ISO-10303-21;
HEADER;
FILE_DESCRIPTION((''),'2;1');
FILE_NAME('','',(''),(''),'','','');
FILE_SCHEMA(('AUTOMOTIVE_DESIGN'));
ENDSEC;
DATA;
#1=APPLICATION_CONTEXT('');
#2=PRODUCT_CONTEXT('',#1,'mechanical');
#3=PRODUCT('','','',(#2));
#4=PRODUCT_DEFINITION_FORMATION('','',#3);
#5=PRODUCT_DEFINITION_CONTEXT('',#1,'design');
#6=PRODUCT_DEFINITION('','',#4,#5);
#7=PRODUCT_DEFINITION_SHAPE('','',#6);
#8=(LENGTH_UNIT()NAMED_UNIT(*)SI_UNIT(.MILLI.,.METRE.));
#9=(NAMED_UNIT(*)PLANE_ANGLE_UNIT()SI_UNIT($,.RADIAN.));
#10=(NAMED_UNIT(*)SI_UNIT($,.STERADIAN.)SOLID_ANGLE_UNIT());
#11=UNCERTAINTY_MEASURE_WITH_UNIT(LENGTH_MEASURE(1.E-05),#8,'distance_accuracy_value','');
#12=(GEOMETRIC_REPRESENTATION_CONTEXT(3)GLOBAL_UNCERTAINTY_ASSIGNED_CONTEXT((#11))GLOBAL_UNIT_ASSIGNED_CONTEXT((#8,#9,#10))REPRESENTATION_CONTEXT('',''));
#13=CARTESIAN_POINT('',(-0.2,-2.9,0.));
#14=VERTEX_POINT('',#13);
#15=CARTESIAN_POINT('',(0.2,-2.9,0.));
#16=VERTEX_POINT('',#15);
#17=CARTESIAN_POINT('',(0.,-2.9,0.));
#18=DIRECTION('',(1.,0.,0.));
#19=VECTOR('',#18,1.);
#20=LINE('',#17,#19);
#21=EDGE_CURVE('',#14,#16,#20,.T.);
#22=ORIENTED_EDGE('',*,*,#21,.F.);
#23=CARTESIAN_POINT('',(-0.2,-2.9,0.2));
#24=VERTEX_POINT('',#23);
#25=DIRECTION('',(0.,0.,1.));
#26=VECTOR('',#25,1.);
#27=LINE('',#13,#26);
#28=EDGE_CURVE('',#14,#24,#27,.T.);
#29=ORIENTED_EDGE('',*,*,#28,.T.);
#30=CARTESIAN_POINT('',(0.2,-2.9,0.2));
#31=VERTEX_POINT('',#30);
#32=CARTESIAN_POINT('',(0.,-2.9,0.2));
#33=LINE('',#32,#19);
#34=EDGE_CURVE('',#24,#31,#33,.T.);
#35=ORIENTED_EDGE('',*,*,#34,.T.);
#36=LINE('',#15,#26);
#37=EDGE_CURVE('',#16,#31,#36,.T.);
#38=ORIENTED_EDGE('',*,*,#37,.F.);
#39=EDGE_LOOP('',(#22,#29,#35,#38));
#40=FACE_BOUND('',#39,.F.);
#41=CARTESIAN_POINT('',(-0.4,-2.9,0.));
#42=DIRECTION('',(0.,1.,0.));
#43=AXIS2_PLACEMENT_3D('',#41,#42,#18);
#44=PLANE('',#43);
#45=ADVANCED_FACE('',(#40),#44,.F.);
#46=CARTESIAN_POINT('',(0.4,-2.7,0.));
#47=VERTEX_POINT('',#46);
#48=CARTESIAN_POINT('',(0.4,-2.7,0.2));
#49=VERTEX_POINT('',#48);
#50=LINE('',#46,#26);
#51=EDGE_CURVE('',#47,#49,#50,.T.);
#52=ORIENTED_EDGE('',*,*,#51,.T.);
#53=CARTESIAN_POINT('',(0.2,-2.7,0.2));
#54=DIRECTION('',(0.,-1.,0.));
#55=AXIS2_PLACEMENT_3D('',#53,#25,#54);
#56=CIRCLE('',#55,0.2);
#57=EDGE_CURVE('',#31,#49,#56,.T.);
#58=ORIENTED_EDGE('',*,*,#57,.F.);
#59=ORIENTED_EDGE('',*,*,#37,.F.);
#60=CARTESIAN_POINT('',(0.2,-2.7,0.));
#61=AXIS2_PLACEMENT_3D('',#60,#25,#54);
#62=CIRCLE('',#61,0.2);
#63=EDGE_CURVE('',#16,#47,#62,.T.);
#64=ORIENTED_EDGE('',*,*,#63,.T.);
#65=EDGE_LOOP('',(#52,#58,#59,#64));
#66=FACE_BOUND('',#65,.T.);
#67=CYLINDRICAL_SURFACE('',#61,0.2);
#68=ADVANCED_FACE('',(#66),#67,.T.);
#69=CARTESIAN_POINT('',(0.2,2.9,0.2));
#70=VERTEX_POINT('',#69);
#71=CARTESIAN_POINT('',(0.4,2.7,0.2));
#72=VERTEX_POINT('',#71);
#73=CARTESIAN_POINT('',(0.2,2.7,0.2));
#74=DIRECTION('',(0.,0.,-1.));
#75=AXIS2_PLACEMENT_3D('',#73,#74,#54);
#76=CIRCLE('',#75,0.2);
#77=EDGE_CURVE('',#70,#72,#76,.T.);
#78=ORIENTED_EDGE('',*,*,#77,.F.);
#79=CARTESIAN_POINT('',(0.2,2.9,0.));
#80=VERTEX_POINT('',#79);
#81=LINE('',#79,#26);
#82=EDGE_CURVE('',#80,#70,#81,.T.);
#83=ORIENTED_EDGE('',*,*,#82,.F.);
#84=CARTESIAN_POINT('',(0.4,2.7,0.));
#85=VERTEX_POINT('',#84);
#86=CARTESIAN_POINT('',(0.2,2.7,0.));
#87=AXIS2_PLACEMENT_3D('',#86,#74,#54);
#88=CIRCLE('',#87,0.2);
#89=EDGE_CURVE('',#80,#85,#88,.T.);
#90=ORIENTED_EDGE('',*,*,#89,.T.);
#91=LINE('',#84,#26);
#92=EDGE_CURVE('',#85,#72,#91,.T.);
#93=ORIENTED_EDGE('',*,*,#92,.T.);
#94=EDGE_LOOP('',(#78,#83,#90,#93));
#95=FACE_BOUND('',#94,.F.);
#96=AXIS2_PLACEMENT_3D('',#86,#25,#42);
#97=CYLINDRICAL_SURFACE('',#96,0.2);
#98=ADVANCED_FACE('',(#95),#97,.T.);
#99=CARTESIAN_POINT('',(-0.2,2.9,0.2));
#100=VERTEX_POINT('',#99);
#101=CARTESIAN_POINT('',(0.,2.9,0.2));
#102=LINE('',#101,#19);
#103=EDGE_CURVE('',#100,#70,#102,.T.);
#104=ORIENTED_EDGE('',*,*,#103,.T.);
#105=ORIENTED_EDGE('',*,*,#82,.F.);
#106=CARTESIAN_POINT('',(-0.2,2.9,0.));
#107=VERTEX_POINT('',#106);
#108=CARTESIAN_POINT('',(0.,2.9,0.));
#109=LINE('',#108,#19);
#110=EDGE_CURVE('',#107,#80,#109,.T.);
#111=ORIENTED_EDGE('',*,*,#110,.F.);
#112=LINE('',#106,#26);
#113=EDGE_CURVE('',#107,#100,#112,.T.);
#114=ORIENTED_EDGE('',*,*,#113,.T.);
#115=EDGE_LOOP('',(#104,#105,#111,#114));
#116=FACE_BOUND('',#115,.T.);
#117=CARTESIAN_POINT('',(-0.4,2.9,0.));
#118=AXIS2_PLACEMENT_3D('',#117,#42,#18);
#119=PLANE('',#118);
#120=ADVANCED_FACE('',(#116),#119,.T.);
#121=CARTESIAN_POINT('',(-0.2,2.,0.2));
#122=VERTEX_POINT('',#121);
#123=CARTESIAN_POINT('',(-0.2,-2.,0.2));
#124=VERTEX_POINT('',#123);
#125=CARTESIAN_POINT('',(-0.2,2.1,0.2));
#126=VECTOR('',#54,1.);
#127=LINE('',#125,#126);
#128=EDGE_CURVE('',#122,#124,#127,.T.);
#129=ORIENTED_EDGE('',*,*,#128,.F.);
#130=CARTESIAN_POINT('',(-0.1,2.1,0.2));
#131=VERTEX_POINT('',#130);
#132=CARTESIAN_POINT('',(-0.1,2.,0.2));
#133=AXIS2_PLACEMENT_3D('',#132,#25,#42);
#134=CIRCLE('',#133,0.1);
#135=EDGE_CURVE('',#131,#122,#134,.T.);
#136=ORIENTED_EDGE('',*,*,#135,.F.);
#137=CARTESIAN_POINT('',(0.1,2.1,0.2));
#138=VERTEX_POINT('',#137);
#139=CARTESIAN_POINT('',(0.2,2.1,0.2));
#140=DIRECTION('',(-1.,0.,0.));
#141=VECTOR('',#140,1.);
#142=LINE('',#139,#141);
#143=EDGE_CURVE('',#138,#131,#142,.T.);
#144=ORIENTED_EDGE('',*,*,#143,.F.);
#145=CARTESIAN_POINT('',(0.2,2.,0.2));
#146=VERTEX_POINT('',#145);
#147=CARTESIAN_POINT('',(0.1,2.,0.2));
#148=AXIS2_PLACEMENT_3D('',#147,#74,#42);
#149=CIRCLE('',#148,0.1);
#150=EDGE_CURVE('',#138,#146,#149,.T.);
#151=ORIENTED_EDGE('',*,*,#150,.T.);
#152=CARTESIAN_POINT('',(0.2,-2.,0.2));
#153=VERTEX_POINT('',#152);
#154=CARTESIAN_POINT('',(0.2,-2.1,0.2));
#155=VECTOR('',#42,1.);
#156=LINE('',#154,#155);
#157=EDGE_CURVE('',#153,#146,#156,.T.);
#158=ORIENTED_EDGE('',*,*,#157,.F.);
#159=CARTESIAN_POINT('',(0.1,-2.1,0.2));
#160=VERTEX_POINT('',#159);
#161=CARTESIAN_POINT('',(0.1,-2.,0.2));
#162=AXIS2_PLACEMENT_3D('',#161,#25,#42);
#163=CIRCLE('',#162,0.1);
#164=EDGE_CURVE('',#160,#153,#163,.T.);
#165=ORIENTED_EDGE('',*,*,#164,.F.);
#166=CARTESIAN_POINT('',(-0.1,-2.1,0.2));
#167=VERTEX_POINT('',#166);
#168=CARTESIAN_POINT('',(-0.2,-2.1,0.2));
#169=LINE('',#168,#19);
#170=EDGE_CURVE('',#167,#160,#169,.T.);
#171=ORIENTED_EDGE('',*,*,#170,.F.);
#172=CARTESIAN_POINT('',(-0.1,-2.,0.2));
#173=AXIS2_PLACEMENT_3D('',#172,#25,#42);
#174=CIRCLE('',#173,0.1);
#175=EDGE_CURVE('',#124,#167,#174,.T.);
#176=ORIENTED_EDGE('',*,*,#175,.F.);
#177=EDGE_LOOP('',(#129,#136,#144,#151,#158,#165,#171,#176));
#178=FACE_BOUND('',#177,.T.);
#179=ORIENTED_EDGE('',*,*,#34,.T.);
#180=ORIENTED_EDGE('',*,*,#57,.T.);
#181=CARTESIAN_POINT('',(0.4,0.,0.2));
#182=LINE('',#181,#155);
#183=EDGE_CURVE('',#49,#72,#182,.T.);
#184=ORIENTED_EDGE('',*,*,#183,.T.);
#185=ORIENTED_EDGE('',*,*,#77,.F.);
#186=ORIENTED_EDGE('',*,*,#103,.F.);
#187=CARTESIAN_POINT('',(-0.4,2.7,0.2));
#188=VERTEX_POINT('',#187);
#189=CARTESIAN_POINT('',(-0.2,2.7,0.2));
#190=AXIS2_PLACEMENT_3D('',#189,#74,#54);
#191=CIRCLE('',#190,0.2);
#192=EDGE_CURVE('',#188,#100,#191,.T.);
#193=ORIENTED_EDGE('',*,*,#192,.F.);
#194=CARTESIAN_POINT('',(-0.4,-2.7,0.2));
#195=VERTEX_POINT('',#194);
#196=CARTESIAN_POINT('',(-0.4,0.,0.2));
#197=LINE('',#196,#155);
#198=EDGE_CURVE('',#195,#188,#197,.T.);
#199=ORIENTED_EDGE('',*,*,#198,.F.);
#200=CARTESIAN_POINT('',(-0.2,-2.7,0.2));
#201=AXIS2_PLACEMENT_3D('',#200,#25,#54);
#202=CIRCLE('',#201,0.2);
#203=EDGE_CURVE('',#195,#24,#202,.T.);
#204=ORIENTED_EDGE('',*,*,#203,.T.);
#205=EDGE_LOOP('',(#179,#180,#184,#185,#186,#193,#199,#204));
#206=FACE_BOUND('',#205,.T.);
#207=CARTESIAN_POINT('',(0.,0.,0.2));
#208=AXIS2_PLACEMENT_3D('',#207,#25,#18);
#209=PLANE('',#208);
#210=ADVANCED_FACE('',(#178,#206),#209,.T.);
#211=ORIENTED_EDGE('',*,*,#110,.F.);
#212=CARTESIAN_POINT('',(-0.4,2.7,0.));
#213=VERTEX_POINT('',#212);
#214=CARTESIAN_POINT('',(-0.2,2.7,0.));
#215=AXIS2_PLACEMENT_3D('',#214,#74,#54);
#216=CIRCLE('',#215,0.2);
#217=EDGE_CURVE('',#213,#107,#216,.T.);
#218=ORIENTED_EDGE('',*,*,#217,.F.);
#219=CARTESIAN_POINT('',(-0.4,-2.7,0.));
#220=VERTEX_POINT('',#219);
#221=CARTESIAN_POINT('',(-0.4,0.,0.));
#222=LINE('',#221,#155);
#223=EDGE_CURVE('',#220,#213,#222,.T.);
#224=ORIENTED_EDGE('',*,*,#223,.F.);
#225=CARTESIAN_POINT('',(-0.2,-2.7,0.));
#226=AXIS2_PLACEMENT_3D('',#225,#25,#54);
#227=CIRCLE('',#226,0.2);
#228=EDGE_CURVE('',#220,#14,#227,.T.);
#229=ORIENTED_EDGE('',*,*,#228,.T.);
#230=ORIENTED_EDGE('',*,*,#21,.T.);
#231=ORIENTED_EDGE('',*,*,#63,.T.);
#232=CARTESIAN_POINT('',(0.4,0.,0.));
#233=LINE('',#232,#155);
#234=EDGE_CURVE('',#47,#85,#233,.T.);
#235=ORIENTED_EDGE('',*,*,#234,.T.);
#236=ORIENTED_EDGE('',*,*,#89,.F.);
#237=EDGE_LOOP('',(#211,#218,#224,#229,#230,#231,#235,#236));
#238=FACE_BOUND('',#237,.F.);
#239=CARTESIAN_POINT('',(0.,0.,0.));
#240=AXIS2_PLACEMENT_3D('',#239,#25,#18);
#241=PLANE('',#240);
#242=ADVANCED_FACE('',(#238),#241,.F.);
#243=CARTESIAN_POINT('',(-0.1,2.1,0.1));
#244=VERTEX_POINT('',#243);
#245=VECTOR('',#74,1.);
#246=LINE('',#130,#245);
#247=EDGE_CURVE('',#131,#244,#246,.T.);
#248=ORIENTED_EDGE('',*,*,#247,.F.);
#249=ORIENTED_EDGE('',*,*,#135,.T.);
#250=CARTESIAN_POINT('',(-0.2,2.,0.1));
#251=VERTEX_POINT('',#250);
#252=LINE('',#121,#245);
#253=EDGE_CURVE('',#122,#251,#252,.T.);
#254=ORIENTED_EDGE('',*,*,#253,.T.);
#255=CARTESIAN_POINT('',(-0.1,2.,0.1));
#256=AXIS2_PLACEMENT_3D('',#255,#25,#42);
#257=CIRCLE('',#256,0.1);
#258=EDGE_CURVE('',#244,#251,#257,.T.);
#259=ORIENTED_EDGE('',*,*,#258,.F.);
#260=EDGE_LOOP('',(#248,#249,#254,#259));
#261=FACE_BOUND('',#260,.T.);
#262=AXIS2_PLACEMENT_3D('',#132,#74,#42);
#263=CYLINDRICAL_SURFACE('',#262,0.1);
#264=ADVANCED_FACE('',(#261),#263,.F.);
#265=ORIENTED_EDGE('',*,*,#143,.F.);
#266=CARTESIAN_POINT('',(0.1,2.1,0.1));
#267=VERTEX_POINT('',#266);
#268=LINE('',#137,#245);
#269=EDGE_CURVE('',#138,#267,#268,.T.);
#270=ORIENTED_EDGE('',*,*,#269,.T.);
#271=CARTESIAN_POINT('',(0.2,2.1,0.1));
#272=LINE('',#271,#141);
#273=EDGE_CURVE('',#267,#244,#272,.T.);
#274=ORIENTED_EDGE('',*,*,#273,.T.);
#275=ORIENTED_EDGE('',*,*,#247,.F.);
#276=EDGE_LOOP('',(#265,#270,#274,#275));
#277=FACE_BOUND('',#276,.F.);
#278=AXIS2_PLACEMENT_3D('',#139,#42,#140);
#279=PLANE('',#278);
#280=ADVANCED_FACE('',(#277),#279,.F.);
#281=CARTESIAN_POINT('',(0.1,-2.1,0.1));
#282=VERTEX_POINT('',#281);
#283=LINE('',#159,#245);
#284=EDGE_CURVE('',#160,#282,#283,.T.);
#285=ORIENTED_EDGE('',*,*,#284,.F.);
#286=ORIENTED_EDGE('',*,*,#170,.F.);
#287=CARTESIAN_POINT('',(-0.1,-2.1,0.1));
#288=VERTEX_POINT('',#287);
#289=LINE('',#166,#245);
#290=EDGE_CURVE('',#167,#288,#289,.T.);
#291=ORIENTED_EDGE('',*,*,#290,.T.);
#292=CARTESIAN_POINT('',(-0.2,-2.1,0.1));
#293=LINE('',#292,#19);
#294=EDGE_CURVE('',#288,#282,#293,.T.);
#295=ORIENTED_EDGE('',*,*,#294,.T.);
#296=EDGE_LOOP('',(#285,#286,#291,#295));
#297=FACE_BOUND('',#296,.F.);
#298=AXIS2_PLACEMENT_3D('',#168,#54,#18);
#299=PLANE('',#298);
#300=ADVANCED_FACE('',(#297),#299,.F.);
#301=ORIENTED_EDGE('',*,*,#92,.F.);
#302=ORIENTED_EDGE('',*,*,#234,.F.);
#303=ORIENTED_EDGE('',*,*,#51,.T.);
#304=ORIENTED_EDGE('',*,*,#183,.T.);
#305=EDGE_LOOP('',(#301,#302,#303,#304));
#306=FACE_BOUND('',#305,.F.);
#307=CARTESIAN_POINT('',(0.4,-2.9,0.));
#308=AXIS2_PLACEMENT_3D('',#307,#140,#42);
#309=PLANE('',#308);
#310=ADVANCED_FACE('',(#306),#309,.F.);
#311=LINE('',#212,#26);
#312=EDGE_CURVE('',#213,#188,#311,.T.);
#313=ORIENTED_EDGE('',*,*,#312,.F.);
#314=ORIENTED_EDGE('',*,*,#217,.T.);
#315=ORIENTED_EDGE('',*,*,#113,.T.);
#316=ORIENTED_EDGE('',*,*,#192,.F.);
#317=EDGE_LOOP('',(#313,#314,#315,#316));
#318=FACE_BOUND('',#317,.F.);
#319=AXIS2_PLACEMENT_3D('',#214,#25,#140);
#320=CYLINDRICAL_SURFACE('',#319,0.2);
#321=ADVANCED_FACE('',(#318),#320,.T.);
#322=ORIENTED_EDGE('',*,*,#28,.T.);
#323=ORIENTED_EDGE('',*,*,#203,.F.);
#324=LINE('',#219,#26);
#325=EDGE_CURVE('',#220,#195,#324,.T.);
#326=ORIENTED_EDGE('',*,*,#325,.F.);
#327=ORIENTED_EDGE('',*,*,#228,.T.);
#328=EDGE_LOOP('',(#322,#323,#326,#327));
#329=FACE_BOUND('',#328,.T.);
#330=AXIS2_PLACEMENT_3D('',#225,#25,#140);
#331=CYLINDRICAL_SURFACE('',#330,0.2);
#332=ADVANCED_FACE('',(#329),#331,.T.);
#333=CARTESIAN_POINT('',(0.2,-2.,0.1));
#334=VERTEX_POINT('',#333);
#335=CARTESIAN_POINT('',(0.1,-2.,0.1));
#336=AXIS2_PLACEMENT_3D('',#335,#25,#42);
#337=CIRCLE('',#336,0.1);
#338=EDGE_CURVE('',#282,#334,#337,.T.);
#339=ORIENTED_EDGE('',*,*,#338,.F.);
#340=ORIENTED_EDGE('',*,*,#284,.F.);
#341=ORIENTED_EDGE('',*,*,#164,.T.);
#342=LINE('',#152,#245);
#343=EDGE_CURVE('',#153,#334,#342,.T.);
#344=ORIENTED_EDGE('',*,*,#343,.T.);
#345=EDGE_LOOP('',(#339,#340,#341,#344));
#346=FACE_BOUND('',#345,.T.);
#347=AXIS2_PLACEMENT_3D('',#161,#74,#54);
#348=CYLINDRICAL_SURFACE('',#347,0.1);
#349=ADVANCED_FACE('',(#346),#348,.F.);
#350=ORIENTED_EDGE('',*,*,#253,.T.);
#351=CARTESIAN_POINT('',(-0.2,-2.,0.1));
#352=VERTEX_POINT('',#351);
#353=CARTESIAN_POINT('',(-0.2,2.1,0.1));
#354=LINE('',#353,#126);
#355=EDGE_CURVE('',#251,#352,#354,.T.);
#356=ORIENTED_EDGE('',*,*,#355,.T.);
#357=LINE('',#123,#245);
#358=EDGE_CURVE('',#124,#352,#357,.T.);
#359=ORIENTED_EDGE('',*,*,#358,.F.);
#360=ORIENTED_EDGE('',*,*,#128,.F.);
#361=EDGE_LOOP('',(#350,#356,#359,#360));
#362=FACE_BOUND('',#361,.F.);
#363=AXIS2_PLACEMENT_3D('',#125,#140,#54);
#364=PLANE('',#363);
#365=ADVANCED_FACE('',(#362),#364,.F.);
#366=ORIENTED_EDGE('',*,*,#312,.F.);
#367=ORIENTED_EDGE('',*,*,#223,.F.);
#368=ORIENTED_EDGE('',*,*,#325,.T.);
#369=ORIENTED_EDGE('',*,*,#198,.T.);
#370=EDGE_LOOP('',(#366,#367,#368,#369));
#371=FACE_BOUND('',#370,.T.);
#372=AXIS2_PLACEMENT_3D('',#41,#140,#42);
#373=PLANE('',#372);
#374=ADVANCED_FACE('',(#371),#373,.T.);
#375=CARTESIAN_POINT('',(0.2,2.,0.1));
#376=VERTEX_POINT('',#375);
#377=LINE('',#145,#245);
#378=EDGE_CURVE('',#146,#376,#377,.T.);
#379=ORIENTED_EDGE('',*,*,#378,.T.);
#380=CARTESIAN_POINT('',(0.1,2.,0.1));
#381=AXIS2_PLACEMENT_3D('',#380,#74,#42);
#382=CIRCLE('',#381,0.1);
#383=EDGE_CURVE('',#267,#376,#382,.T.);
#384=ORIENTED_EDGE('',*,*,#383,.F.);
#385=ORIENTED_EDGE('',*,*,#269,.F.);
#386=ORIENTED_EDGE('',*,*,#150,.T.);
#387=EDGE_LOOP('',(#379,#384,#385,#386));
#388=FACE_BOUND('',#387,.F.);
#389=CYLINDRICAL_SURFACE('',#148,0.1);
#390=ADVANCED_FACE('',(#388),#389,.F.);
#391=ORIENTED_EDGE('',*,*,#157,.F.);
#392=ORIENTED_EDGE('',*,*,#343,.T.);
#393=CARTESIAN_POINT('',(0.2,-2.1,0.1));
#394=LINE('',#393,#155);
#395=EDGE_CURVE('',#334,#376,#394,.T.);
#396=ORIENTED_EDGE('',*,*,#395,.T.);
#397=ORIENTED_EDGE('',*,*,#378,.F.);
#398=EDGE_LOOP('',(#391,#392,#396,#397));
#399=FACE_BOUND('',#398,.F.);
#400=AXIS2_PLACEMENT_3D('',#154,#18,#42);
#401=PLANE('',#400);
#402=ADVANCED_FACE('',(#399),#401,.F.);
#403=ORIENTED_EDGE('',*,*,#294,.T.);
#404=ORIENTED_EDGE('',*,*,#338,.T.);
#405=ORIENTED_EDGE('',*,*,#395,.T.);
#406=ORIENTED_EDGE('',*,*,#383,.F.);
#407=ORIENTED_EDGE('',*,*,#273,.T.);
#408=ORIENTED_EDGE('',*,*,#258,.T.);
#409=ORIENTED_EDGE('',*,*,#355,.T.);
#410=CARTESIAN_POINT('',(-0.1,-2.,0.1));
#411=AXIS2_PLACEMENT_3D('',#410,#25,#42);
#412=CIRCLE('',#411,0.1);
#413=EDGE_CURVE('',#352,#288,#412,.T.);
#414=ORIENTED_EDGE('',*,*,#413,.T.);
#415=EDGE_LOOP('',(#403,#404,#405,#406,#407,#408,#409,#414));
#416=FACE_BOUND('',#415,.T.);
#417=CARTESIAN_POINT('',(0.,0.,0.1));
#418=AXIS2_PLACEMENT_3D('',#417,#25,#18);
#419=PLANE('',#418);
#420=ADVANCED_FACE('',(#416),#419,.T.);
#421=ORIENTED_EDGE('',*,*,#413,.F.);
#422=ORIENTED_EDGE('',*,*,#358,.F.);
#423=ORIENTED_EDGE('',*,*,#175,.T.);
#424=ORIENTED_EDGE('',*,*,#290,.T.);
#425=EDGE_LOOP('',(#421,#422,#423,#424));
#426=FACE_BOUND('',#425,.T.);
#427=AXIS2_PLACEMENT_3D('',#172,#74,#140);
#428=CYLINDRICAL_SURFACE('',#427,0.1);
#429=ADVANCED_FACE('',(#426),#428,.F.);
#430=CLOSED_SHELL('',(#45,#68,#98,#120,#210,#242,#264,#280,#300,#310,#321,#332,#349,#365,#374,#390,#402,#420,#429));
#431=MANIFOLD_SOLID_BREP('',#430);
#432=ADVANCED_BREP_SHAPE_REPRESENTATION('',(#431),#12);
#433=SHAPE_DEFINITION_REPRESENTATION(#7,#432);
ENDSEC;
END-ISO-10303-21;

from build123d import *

# Parameters (mm, degrees)
F0_W     = 0.8
F0_H     = 5.8
F1_DEPTH = 0.2
F3_DEPTH = 0.1
F4_R     = 0.2
F5_R     = 0.1


with BuildPart() as f1:
    # F0 (on Top) → F1 (new body)
    with BuildSketch(Plane.XY):
        Rectangle(F0_W, F0_H)
    extrude(amount=F1_DEPTH)

    # F2 (on face) → F3 (cut)
    with BuildSketch(Plane.XY.offset(0.2)):
        Polygon((0.2, 2.1), (0, 2.1), (-0.2, 2.1), (-0.2, -2.1), (0, -2.1), (0.2, -2.1), align=None)
    extrude(amount=-F3_DEPTH, mode=Mode.SUBTRACT)

    # F4
    f4_edges = [f1.edges().sort_by_distance(p)[0] for p in [
        (0.4, 2.9, 0.1),
        (-0.4, 2.9, 0.1),
        (0.4, -2.9, 0.1),
        (-0.4, -2.9, 0.1),
    ]]
    fillet(f4_edges, radius=F4_R)

    # F5
    f5_edges = [f1.edges().sort_by_distance(p)[0] for p in [
        (0.2, 2.1, 0.15),
        (-0.2, 2.1, 0.15),
        (-0.2, -2.1, 0.15),
        (0.2, -2.1, 0.15),
    ]]
    fillet(f5_edges, radius=F5_R)


solid = f1.part
